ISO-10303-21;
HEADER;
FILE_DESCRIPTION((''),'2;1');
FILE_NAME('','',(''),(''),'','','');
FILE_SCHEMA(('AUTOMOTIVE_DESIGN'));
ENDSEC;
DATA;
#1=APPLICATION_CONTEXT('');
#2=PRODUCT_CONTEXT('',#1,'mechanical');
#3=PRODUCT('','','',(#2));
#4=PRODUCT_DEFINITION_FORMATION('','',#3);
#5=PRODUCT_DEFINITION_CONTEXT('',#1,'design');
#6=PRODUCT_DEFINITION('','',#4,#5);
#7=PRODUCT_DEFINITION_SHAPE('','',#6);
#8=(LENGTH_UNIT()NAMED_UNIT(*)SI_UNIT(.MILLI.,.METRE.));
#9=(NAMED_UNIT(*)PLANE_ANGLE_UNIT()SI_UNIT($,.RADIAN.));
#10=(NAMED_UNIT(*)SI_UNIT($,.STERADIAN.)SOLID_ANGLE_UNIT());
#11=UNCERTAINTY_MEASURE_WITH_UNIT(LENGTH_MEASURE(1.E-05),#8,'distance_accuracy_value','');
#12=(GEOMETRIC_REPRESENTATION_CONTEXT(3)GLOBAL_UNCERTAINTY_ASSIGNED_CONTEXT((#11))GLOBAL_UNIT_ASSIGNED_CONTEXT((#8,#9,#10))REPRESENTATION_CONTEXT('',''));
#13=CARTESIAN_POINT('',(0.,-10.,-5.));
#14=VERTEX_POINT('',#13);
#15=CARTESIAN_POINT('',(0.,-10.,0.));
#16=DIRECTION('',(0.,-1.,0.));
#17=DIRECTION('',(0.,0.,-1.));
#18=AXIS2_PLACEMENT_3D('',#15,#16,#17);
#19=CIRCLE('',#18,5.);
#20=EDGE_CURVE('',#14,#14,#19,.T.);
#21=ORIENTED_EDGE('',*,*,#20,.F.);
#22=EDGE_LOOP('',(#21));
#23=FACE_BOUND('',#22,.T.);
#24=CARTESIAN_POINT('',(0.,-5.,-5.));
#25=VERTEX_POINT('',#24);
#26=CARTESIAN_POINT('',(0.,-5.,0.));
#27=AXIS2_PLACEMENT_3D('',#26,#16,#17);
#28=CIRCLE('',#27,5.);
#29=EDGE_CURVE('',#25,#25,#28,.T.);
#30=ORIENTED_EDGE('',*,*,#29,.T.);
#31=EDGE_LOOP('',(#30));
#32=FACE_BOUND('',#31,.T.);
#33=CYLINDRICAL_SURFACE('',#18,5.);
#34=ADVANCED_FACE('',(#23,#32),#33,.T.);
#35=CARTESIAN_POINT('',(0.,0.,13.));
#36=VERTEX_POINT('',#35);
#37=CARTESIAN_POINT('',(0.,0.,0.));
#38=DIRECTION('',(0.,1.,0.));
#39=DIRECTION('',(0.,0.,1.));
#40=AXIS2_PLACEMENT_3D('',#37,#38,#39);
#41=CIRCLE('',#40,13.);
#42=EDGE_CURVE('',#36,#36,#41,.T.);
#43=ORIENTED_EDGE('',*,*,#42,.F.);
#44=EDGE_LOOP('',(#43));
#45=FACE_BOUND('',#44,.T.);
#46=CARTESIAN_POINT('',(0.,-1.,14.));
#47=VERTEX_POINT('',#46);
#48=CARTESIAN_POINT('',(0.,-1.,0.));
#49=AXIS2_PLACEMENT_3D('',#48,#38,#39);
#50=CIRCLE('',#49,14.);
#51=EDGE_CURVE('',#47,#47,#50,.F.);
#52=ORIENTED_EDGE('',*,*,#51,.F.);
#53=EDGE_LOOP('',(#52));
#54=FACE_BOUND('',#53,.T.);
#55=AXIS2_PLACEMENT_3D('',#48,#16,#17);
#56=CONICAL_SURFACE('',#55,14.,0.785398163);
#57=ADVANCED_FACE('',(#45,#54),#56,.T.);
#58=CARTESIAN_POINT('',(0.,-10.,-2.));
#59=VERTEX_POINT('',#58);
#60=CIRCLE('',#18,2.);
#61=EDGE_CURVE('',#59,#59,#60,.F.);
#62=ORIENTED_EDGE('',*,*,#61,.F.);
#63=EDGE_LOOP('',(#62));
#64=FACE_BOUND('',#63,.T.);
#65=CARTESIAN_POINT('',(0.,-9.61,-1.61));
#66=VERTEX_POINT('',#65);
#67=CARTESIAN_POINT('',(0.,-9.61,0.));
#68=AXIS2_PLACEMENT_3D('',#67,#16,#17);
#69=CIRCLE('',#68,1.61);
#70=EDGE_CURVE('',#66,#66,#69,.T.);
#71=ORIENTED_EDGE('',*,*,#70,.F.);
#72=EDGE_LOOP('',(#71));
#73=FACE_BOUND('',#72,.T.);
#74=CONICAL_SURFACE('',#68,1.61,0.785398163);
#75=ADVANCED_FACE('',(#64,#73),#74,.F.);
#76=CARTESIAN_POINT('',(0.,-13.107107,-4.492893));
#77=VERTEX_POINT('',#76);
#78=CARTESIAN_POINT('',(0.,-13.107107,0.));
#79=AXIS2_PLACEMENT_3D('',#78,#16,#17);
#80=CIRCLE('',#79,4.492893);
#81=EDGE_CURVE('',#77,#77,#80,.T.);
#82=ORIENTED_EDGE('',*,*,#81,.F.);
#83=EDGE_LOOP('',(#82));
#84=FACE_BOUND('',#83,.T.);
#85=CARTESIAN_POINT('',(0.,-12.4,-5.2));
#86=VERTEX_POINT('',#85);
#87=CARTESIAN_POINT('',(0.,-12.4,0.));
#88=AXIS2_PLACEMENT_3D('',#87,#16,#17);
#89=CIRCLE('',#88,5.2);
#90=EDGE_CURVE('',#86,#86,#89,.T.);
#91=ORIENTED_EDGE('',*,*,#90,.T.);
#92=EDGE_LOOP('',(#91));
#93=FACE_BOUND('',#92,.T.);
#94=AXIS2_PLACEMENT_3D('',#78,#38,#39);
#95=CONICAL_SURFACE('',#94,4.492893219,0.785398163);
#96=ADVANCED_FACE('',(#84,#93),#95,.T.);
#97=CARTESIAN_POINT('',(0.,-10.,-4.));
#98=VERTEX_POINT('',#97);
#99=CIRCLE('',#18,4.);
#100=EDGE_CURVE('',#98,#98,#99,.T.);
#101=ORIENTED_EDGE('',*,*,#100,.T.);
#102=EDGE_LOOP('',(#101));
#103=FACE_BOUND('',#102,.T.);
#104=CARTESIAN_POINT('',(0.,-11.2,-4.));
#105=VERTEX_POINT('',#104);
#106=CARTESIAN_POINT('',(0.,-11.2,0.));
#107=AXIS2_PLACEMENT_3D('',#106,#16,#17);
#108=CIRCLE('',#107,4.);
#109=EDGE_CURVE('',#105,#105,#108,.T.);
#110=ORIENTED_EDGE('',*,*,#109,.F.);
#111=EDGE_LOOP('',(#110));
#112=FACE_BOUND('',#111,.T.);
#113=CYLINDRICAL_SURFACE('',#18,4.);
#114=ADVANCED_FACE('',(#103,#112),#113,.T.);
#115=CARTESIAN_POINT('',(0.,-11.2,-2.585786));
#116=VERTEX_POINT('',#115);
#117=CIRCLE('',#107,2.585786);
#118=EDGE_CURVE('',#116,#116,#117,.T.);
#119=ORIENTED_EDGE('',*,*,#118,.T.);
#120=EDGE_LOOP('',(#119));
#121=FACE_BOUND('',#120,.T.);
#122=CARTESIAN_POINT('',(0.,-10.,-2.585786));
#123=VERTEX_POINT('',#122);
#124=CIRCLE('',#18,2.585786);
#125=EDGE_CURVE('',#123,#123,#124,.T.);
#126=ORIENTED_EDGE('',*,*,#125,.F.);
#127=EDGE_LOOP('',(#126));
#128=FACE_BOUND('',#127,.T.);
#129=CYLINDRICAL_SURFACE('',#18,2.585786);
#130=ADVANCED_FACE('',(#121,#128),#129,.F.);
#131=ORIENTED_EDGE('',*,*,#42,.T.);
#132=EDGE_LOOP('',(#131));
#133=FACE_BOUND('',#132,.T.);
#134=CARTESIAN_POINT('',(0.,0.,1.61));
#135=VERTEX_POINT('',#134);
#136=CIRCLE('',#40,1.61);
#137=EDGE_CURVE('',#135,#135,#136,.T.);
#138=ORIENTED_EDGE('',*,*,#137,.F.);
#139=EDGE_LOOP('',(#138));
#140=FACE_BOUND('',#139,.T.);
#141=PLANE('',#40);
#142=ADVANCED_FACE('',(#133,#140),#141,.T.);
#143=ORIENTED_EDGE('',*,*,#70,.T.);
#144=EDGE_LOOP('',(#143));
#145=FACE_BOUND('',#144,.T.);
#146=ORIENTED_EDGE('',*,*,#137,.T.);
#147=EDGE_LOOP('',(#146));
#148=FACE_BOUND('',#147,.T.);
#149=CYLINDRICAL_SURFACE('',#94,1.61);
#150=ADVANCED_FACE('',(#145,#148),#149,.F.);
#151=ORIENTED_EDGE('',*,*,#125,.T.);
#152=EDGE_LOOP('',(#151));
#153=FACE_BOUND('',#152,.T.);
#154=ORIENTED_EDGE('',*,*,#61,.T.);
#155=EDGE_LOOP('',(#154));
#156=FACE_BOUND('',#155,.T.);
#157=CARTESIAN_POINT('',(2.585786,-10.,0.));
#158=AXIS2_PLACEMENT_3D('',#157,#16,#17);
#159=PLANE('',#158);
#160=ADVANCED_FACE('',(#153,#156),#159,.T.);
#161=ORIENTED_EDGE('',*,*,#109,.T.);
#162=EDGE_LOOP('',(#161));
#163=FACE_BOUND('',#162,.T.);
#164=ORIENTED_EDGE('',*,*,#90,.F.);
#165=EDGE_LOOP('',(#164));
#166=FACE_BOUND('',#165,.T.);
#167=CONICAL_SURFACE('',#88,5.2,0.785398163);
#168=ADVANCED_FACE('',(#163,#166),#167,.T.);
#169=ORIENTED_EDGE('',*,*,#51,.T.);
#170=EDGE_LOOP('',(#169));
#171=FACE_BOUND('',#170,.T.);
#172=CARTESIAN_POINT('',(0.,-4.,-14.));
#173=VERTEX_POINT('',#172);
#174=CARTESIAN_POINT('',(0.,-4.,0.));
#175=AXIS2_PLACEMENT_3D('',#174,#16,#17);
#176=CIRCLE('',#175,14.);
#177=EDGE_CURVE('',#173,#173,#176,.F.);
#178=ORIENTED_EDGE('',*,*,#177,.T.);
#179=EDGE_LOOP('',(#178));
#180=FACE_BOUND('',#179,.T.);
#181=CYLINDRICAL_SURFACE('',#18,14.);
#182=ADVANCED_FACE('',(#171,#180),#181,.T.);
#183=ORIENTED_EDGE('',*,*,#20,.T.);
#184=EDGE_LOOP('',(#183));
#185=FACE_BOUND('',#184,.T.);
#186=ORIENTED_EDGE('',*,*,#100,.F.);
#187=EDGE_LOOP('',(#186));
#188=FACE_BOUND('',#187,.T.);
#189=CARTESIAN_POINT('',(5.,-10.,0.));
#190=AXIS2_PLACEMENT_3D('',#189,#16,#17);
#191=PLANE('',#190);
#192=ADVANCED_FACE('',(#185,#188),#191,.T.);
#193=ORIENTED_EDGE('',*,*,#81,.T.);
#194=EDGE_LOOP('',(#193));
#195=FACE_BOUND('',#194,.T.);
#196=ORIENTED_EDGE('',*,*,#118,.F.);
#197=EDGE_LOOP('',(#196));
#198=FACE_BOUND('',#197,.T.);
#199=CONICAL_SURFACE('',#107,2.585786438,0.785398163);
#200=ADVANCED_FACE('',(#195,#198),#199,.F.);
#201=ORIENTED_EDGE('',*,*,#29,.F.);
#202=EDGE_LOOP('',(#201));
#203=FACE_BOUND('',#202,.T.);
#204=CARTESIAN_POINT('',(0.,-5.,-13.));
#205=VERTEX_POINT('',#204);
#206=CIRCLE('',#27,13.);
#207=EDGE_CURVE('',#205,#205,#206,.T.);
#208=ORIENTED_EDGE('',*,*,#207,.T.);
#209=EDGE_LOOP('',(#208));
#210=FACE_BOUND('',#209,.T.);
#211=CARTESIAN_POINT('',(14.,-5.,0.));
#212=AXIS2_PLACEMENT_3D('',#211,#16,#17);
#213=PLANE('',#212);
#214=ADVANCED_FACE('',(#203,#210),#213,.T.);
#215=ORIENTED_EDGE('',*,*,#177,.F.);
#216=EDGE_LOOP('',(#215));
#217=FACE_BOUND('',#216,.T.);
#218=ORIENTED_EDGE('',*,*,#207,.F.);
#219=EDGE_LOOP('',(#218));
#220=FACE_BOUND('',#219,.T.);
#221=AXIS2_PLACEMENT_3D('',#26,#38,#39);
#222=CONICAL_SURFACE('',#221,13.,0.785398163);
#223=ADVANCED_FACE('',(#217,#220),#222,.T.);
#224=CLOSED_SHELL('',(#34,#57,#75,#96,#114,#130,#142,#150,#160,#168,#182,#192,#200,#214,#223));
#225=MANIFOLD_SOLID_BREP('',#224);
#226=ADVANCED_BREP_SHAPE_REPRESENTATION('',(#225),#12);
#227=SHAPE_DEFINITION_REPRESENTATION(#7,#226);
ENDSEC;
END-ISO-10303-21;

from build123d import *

# Parameters (mm, degrees)
SKETCH_2_R          = 1.61
CUT_EXTRUDE_1_DEPTH = 14.107106781
CHAMFER_1_SIZE      = 0.39
CHAMFER_2_SIZE      = 1


with BuildPart() as part:
    # Эскиз1 → Повернуть1 (revolve)
    with BuildSketch(Plane.XY):
        Polygon((0, 0), (14, 0), (14, -5), (5, -5), (5, -10), (4, -10), (4, -11.2), (5.2, -12.4), (4.492893219, -13.107106781), (2.585786438, -11.2), (2.585786438, -10), (0, -10), align=None)
    revolve(axis=Axis((0, -10, 0), (0, 1, 0)))

    # Эскиз2 → Вырез-Вытянуть1 (cut, through all)
    with BuildSketch(Plane(origin=(0, 0, 0), x_dir=(1, 0, 0), z_dir=(0, 1, 0))):
        Circle(SKETCH_2_R)
    extrude(amount=-CUT_EXTRUDE_1_DEPTH, mode=Mode.SUBTRACT)

    # Фаска1
    chamfer_1_edges = [part.edges().sort_by_distance(p)[0] for p in [
        (-1.61, -10, 0),
    ]]
    chamfer(chamfer_1_edges, length=CHAMFER_1_SIZE)

    # Фаска2
    chamfer_2_edges = [part.edges().sort_by_distance(p)[0] for p in [
        (-14, -5, 0),
        (-14, 0, 0),
    ]]
    chamfer(chamfer_2_edges, length=CHAMFER_2_SIZE)


solid = part.part
